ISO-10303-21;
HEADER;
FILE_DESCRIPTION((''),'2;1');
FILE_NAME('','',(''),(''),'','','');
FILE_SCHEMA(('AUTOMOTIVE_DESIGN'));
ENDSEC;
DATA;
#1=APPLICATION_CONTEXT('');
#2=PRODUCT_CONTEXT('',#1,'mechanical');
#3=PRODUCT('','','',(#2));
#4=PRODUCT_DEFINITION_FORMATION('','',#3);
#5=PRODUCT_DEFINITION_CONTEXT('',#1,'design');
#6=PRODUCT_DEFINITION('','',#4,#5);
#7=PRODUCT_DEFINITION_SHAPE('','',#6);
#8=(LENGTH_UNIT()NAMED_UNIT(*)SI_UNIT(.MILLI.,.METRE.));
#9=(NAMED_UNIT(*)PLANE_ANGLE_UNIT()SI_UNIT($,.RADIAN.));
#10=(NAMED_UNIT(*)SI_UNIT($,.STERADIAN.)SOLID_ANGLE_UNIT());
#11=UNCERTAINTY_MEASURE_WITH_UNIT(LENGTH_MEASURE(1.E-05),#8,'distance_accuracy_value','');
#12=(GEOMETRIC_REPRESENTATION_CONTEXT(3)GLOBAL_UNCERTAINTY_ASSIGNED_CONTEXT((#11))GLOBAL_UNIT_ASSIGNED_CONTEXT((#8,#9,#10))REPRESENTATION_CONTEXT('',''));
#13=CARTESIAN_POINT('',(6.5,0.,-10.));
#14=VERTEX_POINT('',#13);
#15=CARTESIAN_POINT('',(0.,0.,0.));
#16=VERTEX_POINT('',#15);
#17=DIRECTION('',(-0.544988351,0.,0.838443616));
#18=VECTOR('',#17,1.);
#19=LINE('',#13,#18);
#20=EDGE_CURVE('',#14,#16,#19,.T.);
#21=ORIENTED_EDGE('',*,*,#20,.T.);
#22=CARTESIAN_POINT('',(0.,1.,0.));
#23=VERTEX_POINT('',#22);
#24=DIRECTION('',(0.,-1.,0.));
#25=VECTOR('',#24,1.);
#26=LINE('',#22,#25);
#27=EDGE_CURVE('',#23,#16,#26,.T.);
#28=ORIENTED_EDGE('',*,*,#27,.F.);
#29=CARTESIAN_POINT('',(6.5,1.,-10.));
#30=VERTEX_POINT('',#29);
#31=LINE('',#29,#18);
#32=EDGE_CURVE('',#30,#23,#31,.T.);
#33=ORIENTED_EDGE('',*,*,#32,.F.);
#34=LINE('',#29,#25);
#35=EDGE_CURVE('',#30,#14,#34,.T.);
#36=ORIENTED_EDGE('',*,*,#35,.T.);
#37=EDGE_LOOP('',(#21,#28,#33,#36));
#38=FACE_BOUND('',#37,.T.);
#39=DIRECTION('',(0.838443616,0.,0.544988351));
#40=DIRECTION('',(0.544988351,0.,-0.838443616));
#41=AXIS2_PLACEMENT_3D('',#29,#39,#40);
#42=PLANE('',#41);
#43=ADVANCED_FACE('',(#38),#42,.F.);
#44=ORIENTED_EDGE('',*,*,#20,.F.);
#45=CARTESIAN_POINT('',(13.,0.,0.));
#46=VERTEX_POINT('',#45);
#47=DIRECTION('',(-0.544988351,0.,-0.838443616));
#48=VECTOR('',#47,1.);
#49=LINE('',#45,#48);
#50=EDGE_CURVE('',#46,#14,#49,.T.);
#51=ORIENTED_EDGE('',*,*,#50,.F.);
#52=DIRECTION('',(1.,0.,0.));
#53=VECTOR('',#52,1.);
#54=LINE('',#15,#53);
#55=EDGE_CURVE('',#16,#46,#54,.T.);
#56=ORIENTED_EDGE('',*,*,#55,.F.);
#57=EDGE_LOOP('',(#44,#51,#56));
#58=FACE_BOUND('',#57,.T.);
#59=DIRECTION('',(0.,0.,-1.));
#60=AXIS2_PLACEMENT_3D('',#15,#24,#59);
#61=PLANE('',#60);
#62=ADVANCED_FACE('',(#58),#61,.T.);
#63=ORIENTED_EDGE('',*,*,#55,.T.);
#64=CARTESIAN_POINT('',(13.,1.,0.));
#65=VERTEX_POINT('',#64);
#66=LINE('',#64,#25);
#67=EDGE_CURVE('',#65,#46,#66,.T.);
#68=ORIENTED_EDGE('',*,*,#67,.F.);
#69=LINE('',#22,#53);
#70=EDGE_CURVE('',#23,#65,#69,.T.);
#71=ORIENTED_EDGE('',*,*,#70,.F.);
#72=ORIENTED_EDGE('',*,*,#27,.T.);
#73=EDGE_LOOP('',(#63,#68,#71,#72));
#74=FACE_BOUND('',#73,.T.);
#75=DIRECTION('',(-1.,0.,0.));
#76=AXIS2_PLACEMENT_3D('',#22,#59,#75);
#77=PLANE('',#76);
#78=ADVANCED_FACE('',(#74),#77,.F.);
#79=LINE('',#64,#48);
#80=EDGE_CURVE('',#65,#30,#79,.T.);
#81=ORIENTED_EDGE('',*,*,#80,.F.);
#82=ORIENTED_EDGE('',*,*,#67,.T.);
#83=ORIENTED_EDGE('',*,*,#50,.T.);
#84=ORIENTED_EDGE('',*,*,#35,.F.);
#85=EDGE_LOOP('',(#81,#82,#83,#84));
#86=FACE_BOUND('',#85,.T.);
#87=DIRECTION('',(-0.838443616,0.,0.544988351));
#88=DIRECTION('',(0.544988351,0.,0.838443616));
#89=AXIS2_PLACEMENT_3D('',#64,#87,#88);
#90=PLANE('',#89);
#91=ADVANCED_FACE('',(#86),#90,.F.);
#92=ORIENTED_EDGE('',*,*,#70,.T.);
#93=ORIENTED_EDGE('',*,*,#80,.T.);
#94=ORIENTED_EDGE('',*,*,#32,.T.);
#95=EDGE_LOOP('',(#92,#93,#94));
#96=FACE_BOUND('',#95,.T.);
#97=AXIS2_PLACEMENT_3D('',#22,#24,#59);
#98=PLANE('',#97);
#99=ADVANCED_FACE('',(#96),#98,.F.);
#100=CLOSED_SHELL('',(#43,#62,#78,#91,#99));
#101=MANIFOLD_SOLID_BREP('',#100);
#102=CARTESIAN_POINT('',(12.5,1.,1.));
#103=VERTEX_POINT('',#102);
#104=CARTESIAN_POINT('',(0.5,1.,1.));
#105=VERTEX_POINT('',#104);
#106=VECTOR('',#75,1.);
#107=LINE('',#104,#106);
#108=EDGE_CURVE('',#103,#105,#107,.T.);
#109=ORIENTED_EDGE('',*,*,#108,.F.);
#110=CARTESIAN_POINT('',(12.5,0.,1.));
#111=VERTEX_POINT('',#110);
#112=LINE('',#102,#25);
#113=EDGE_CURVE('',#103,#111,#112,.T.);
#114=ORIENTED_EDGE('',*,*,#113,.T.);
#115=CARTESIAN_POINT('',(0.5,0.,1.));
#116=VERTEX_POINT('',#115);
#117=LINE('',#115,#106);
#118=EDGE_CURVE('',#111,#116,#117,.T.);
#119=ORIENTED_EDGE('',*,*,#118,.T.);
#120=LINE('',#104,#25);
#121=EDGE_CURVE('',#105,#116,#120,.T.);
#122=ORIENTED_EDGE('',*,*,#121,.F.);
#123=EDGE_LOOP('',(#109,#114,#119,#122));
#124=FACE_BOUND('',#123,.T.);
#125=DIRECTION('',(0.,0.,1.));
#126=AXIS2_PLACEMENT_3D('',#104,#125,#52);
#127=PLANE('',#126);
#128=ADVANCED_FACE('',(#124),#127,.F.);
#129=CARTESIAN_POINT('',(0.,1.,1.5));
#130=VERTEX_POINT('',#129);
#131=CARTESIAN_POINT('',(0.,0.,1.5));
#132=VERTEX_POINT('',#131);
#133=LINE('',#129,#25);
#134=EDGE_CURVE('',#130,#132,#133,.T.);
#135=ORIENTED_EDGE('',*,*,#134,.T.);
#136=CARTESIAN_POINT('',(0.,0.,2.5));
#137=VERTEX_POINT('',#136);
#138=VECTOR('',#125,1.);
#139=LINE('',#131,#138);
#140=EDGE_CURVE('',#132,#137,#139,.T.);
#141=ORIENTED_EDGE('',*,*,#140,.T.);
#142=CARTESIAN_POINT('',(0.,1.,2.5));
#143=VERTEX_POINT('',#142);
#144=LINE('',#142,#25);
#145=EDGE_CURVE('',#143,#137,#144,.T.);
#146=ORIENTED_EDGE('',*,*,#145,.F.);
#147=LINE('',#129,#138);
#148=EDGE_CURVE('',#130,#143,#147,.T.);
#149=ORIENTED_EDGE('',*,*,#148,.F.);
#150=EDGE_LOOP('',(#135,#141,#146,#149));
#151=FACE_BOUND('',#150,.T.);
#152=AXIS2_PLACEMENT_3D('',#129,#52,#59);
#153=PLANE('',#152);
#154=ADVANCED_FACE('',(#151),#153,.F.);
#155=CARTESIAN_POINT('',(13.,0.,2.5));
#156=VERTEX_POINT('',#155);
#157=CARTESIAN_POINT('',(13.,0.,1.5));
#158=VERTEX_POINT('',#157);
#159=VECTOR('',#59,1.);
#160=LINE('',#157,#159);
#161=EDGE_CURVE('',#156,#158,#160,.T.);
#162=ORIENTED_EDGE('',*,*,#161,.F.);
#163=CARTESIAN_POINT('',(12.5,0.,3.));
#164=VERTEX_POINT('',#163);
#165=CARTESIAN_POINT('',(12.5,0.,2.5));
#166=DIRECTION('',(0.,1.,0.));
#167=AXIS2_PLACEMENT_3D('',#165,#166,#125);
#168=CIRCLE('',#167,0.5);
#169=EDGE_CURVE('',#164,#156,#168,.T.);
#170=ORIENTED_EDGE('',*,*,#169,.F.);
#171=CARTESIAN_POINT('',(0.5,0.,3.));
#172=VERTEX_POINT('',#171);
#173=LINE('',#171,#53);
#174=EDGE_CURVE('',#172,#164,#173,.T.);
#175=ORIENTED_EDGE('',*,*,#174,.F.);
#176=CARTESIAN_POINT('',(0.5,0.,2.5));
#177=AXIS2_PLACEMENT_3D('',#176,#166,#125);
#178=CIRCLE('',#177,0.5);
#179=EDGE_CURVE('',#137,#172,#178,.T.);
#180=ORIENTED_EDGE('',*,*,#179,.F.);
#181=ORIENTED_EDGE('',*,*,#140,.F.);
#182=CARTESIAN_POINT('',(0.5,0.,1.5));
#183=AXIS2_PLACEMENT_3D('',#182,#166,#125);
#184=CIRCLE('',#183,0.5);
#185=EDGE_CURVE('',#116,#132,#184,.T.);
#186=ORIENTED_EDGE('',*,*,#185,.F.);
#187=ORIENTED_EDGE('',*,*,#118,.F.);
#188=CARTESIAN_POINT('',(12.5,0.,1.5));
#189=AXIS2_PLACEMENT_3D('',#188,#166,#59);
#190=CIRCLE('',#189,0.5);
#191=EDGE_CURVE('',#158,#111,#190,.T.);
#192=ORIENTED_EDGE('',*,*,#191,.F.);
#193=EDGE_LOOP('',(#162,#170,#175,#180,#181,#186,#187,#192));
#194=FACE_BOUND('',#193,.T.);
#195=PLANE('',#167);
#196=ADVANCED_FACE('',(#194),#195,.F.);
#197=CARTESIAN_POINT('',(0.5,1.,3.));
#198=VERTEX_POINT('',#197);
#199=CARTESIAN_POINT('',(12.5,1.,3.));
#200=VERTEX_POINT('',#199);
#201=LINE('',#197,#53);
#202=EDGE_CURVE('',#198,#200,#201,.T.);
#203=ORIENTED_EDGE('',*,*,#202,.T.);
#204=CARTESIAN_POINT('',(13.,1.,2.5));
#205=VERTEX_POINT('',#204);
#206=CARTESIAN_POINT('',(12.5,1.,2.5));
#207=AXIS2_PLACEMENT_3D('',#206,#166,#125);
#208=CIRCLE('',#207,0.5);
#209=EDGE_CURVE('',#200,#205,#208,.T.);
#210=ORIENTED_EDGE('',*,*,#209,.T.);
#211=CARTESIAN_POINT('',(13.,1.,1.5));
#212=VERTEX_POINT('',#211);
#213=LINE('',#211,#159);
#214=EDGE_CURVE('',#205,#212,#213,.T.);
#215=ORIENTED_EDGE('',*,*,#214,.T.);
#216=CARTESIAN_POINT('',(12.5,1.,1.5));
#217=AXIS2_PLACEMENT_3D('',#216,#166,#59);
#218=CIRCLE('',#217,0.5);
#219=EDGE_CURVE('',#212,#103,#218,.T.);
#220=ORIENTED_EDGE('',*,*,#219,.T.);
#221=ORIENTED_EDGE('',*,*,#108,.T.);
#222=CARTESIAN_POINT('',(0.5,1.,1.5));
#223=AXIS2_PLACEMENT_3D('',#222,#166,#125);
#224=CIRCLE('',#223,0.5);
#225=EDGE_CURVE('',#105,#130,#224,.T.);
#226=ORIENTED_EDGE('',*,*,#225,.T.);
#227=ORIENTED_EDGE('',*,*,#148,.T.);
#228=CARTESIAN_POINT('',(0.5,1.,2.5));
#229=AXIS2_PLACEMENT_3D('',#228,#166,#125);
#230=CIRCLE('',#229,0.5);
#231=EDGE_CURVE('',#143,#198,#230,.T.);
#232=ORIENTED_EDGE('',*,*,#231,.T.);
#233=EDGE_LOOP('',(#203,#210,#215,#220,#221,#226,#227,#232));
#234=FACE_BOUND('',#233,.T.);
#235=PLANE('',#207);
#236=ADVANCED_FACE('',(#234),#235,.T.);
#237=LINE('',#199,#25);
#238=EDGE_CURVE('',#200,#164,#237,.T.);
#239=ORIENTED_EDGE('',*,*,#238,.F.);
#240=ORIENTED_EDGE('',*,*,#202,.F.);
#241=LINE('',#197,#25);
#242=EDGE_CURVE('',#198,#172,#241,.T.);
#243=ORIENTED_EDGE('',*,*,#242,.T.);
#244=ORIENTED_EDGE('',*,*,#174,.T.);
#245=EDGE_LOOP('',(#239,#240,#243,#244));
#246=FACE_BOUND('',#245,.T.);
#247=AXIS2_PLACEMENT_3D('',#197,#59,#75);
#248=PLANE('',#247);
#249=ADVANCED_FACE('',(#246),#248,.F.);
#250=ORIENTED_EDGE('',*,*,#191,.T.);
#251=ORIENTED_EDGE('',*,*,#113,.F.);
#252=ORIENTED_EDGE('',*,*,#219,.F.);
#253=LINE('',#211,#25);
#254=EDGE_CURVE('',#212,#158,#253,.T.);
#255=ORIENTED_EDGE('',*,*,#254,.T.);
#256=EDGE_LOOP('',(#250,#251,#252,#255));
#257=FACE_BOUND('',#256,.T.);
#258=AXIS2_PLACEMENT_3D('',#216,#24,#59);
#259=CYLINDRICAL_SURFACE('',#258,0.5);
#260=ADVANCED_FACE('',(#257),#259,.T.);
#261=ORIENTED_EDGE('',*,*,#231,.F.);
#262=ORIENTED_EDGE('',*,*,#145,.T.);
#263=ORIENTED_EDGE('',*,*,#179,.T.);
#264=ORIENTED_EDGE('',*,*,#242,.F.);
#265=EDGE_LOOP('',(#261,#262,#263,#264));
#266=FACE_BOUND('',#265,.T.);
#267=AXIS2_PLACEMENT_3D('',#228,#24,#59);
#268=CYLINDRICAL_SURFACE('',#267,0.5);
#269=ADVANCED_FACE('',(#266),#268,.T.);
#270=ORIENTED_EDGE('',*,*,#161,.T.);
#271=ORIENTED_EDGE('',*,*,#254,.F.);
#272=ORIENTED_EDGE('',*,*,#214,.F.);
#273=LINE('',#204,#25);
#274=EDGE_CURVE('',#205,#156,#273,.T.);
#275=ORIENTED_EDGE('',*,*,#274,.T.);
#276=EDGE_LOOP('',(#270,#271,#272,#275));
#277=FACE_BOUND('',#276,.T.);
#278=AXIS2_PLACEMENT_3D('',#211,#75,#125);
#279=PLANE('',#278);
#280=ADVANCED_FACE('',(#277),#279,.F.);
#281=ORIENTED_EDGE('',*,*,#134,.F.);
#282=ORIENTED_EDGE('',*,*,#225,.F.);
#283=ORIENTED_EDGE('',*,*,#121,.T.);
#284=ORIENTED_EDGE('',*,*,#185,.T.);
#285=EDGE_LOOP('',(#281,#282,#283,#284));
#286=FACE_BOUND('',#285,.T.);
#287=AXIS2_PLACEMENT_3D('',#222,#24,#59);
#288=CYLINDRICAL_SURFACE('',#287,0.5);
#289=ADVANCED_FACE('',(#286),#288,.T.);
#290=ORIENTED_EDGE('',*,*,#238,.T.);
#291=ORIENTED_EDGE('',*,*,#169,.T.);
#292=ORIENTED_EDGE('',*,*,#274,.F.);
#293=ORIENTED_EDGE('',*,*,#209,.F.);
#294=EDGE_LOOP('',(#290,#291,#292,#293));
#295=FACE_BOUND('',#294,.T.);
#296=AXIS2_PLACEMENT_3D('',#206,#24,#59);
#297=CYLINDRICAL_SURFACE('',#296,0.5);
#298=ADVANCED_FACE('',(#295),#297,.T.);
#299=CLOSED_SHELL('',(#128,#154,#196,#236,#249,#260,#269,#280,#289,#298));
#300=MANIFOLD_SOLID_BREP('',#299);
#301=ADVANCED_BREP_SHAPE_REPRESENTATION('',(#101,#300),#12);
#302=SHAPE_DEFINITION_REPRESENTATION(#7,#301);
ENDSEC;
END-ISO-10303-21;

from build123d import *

# Parameters (mm, degrees)
BOSS_EXTRUDE1_DEPTH   = 1
BOSS_EXTRUDE1_2_DEPTH = 1


with BuildPart() as part:
    # Sketch2 → Boss-Extrude1 (new body)
    with BuildSketch(Plane(origin=(0, 0, 0), x_dir=(1, 0, 0), z_dir=(0, 1, 0))):
        Polygon((0, 0), (13, 0), (6.5, 10), align=None)
    extrude(amount=BOSS_EXTRUDE1_DEPTH)


with BuildPart() as body_2:
    # Sketch2 → Boss-Extrude1 2 (new body)
    with BuildSketch(Plane(origin=(0, 0, 0), x_dir=(1, 0, 0), z_dir=(0, 1, 0))):
        with BuildLine():
            Line((0.5, -1), (12.5, -1))
            ThreePointArc((12.5, -1), (12.853553391, -1.146446609), (13, -1.5))
            Line((13, -1.5), (13, -2.5))
            ThreePointArc((13, -2.5), (12.853553391, -2.853553391), (12.5, -3))
            Line((12.5, -3), (0.5, -3))
            ThreePointArc((0.5, -3), (0.146446609, -2.853553391), (0, -2.5))
            Line((0, -2.5), (0, -1.5))
            ThreePointArc((0, -1.5), (0.146446609, -1.146446609), (0.5, -1))
        make_face()
    extrude(amount=BOSS_EXTRUDE1_2_DEPTH)


solid = Compound([part.part, body_2.part])
